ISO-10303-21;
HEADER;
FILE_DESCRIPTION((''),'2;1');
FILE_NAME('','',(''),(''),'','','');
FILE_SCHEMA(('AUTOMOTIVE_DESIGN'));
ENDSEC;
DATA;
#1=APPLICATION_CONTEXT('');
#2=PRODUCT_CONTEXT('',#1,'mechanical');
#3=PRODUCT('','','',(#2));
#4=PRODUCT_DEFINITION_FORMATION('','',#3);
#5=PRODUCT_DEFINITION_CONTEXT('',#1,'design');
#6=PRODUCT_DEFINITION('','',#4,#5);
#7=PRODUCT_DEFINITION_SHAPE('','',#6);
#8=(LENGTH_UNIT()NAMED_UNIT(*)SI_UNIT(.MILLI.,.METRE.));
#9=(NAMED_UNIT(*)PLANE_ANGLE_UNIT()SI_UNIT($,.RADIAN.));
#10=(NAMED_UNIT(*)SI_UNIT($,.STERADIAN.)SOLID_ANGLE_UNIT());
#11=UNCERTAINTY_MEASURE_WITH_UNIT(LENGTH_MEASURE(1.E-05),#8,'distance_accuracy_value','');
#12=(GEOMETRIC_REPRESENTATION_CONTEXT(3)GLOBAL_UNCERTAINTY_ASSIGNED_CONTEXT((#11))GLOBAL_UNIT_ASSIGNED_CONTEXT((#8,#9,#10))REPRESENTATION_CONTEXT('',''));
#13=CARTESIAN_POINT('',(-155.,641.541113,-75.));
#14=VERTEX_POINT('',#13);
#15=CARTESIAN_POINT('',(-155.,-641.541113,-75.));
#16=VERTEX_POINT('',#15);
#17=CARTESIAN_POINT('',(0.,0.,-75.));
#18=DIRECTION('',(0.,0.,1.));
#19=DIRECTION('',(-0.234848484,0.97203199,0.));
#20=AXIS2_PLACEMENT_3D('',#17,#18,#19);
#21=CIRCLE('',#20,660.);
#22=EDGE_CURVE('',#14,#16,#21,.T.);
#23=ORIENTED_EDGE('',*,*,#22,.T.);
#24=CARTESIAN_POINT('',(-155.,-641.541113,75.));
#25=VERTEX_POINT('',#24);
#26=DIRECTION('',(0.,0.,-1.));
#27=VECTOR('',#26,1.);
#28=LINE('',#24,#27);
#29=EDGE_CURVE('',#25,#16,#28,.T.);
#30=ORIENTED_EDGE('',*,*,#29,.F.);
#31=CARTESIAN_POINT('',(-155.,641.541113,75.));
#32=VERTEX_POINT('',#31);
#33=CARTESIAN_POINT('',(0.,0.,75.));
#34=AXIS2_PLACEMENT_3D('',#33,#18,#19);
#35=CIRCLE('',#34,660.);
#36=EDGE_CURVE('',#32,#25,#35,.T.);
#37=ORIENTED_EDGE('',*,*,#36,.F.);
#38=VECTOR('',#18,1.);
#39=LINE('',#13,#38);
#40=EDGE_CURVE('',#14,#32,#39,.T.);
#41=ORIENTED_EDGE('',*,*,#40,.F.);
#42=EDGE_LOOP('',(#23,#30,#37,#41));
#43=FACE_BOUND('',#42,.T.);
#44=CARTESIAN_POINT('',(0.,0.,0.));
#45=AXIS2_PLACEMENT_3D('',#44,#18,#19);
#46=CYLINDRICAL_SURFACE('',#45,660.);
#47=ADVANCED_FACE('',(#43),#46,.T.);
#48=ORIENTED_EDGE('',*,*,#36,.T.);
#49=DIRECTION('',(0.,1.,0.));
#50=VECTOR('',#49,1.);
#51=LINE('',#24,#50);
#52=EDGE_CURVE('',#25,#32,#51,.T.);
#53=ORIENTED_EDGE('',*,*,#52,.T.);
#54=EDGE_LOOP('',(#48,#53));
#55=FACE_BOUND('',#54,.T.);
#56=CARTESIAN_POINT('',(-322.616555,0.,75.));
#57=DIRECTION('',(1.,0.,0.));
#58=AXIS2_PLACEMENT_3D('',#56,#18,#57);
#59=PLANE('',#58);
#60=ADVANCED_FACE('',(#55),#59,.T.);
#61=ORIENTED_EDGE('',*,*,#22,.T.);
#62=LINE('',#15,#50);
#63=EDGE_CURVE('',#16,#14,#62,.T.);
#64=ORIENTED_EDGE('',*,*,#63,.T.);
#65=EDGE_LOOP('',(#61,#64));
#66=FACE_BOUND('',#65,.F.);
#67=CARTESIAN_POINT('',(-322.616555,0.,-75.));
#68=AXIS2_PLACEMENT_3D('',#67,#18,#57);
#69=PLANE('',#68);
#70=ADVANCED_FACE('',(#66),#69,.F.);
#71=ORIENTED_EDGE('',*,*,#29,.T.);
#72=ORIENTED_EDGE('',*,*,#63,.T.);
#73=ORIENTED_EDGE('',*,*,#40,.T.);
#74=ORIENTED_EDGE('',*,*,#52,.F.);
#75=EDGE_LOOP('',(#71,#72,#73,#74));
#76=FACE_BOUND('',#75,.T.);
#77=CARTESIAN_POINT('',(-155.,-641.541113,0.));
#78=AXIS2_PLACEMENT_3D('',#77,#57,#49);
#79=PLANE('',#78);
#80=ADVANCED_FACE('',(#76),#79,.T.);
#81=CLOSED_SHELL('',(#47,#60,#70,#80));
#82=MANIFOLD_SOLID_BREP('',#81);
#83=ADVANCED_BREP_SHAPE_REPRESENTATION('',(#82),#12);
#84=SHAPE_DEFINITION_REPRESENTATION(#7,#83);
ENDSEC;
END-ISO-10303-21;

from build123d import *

# Parameters (mm, degrees)
F1_DEPTH = 75


with BuildPart() as f1:
    # F0 (on Top) → F1 (new body, symmetric)
    with BuildSketch(Plane.XY):
        with BuildLine():
            Line((-155, -641.541113), (-155, 641.541113))
            ThreePointArc((-155, 641.541113), (-660, 0), (-155, -641.541113))
        make_face()
    extrude(amount=F1_DEPTH, both=True)


solid = f1.part
